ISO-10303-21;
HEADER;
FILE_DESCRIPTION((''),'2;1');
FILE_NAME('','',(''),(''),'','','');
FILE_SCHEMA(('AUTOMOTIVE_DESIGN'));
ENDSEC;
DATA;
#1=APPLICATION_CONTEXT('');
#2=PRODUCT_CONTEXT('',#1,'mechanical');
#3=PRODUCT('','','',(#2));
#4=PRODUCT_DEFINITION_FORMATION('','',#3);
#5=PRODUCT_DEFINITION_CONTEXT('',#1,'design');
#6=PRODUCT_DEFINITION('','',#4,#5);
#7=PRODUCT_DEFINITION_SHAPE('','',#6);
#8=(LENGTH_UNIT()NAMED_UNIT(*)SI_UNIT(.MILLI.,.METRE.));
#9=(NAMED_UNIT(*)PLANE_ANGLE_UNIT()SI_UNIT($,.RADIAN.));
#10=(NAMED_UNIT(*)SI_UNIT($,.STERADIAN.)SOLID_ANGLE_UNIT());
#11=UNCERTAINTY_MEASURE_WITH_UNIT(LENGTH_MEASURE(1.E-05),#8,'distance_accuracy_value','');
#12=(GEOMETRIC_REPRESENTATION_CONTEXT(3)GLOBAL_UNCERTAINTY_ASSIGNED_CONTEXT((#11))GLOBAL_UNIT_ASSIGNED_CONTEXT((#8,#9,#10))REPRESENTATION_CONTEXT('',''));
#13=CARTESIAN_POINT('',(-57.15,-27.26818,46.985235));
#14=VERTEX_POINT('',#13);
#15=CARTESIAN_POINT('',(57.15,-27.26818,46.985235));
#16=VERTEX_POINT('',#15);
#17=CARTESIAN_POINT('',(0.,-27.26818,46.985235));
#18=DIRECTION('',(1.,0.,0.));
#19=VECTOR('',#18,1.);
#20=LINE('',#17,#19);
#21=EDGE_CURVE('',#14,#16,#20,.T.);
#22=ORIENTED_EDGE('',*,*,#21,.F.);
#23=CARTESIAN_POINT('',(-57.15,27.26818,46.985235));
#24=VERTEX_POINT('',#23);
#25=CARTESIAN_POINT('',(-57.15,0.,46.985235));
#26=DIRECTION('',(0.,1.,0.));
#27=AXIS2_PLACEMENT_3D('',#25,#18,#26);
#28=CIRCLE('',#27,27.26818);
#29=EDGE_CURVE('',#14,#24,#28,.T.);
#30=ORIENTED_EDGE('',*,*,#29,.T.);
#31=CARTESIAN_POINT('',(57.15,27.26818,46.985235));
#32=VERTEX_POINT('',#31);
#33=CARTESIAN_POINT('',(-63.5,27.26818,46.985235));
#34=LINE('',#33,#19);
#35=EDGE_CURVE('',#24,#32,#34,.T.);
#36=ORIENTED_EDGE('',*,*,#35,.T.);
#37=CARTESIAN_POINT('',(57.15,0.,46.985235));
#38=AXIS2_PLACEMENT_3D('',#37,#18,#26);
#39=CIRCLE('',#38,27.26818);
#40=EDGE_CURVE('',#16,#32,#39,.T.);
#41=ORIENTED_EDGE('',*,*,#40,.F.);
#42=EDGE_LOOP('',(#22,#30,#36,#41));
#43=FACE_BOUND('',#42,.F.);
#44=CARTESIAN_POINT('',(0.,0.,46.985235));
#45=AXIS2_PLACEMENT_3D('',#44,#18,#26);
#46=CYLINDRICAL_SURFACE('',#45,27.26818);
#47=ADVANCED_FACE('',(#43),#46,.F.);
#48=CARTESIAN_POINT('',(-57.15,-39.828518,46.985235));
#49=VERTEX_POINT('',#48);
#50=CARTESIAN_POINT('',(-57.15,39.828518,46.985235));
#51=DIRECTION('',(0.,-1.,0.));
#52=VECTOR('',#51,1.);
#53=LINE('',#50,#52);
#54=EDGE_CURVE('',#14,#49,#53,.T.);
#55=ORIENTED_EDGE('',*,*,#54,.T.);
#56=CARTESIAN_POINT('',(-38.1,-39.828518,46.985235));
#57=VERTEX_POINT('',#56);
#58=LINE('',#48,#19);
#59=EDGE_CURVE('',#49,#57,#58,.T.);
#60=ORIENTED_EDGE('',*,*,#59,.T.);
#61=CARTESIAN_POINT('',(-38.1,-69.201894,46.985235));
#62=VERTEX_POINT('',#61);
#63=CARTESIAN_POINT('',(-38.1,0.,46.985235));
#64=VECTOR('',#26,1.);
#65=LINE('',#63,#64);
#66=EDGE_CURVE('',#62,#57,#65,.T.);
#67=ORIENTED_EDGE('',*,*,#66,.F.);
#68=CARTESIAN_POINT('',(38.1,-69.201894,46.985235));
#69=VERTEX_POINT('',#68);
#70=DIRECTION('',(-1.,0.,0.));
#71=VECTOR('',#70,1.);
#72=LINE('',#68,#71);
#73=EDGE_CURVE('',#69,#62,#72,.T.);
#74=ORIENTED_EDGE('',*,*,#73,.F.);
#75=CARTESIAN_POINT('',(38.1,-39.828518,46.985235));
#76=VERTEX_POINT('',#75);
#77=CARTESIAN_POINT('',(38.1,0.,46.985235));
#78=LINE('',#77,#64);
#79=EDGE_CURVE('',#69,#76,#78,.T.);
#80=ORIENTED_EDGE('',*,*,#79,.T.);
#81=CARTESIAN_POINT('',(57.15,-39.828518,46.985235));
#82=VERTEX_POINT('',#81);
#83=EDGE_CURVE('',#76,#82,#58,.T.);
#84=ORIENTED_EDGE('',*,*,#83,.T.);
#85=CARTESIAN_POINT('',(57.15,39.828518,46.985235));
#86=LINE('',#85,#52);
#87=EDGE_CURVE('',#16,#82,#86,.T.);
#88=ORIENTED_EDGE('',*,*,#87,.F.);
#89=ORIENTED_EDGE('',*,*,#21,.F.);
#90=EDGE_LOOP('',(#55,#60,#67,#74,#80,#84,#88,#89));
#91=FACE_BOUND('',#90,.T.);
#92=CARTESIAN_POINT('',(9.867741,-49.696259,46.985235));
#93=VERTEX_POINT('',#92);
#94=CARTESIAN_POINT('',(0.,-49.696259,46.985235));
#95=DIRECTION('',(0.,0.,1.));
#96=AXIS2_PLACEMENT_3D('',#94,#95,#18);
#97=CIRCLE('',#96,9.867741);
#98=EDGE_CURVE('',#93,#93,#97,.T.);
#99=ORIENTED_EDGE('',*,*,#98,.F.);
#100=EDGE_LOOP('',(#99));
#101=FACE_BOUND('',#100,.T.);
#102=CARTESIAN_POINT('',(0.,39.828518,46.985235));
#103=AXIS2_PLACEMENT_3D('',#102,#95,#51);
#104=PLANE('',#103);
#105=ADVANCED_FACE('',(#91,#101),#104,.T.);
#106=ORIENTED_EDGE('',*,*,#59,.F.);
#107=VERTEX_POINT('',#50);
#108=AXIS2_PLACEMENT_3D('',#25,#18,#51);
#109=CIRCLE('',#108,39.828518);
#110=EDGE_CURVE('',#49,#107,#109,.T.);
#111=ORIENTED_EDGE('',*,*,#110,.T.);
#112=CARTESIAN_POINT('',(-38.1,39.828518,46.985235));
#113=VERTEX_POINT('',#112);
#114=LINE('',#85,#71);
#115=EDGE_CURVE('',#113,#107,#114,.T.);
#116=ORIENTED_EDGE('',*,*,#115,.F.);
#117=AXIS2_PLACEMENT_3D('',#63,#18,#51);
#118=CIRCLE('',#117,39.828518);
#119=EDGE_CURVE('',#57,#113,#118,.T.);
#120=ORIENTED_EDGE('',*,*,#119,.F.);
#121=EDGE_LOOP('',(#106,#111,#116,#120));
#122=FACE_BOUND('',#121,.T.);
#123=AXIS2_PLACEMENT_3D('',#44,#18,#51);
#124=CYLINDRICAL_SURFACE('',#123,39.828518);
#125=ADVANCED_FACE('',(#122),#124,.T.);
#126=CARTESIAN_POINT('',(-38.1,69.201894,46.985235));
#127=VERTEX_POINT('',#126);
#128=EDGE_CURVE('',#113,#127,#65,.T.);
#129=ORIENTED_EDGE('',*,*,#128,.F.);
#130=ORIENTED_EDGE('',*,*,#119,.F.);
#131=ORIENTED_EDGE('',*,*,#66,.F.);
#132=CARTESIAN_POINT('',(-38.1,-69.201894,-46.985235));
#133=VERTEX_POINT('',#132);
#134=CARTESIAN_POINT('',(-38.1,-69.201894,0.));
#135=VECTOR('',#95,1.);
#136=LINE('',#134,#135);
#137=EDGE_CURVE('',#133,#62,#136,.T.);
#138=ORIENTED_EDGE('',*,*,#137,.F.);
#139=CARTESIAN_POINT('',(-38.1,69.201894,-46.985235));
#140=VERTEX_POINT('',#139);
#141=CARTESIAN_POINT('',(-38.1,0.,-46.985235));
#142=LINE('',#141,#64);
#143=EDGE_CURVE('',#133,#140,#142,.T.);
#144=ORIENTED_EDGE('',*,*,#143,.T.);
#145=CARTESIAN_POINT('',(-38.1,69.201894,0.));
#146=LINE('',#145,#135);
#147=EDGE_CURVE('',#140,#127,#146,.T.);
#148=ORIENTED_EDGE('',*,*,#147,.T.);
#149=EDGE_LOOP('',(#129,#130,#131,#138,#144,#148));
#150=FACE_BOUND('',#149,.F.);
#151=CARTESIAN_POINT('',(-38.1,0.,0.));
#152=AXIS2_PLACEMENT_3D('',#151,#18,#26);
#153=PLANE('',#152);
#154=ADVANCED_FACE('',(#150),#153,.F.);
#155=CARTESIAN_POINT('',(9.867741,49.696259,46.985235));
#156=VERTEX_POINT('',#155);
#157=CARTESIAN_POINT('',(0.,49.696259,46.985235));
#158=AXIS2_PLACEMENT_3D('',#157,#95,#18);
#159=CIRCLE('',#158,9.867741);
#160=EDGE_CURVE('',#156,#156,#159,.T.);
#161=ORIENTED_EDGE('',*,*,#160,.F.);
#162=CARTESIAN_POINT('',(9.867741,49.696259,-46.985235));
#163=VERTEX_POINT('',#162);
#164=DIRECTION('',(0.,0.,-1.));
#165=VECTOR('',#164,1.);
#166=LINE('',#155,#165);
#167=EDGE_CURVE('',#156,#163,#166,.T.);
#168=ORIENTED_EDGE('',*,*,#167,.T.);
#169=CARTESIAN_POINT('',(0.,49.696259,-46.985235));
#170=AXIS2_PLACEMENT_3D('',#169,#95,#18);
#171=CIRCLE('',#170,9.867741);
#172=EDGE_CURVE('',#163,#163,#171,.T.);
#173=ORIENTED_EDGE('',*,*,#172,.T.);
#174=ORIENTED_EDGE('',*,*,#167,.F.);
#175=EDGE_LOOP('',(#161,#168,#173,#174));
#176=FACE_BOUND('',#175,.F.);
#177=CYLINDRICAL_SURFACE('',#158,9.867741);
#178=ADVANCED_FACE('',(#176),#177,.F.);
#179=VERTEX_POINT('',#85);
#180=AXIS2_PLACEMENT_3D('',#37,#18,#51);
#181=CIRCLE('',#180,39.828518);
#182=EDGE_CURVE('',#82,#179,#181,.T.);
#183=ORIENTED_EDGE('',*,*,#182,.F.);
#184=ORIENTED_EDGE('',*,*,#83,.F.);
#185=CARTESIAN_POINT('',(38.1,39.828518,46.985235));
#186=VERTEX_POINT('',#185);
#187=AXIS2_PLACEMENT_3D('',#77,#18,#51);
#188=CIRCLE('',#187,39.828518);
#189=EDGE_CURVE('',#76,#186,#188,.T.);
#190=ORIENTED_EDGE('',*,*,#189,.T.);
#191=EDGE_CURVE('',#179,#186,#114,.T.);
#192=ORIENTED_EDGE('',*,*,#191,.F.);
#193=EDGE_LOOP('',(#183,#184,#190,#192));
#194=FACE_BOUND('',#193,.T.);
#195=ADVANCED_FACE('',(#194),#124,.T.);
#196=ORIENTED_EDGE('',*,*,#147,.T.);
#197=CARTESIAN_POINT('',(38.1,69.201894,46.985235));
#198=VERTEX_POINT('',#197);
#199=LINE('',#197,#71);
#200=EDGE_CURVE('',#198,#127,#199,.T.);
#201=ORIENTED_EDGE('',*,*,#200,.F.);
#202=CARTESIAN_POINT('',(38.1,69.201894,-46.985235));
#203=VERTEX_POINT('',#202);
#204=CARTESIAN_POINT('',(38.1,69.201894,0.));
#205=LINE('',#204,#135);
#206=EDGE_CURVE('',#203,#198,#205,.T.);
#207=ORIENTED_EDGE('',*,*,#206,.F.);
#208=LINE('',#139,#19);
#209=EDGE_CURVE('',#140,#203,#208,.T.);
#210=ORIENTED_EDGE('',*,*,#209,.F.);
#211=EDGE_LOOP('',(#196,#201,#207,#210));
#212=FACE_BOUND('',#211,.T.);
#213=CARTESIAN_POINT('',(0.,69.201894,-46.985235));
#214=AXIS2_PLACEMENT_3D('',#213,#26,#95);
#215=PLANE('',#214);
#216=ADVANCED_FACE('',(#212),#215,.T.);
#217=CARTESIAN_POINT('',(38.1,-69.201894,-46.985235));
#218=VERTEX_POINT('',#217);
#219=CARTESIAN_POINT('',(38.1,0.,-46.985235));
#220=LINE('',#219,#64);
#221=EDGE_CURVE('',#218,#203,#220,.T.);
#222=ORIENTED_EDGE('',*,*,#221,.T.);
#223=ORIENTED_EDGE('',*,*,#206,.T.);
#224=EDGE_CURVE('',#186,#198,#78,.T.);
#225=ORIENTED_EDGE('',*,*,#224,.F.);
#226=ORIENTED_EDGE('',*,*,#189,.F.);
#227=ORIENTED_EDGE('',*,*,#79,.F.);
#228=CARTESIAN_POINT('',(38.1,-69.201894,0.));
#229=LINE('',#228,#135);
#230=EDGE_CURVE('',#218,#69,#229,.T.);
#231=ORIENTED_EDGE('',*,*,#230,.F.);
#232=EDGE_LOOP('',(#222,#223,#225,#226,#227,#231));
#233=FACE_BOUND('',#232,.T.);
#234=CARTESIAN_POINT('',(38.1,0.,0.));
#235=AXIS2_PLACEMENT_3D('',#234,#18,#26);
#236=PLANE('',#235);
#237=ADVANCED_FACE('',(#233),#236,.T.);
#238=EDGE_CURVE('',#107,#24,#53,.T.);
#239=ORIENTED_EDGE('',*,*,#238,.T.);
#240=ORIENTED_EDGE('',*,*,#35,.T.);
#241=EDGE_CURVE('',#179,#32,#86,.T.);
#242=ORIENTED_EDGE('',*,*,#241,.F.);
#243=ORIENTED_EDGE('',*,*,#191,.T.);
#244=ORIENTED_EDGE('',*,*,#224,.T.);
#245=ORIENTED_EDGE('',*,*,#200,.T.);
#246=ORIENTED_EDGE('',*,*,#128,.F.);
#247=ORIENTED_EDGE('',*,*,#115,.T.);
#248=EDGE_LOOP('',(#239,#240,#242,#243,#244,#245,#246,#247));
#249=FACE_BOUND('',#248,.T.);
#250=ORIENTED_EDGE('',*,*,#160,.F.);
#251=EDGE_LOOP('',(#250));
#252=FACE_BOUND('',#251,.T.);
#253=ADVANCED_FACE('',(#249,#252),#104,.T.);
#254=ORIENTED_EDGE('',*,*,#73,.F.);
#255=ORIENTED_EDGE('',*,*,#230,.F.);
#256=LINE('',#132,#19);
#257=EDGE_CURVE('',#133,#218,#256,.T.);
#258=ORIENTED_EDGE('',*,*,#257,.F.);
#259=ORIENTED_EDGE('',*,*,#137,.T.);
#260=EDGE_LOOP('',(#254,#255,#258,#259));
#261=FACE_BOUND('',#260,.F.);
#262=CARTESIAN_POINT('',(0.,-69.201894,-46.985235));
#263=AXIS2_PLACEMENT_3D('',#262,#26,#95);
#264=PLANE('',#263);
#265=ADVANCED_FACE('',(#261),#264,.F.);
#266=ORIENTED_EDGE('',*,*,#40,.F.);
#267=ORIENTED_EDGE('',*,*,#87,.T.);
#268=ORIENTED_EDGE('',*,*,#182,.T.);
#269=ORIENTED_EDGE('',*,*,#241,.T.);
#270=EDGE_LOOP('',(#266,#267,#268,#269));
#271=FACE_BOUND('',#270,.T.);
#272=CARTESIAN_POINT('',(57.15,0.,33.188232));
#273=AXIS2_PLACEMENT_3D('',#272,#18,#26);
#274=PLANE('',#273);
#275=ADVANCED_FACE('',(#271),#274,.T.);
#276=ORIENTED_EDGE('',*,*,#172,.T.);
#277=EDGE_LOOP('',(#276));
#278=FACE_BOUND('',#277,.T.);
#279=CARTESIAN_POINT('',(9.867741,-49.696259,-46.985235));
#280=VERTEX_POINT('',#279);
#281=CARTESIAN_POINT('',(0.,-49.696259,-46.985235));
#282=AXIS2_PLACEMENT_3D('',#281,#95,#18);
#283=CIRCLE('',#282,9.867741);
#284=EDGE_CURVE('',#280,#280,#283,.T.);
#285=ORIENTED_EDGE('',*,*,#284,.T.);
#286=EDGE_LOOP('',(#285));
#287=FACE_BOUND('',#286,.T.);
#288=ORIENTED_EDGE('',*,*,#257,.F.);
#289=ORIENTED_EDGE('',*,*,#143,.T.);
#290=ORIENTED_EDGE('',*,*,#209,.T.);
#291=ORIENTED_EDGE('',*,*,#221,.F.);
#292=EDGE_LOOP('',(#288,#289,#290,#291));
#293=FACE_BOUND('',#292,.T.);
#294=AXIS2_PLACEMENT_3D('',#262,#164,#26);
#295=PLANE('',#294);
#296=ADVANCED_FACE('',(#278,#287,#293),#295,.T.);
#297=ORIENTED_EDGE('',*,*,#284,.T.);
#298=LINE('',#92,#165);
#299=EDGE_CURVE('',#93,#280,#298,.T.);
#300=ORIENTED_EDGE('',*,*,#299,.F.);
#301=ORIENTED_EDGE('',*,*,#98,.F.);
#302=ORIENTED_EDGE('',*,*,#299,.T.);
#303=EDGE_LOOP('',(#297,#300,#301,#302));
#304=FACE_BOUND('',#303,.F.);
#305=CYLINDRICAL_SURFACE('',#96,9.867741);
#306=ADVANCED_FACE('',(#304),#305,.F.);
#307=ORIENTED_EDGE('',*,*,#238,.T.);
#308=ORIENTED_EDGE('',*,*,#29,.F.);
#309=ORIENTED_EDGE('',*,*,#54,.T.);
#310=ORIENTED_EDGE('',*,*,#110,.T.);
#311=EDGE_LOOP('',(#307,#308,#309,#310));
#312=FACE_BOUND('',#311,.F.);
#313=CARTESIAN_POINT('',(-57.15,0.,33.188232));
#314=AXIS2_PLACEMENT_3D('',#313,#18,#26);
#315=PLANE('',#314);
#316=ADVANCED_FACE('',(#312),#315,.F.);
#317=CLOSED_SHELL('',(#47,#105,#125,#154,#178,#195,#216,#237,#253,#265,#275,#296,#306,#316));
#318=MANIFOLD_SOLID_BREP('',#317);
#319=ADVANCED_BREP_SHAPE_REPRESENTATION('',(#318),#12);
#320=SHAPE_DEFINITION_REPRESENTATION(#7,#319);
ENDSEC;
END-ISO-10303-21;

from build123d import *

# Parameters (mm, degrees)
F0_W     = 138.403788
F0_H     = 93.97047
F1_DEPTH = 38.1
F3_DEPTH = 57.15
F4_R     = 27.26818
F5_DEPTH = 63.5
F6_R     = 9.867741
F7_DEPTH = 203.2


with BuildPart() as f1:
    # F0 (on Right) → F1 (new body, symmetric)
    with BuildSketch(Plane.YZ):
        Rectangle(F0_W, F0_H)
    extrude(amount=F1_DEPTH, both=True)

    # F2 (on Right) → F3 (join, symmetric)
    with BuildSketch(Plane.YZ):
        with BuildLine():
            Line((39.828518, 46.985235), (-39.828518, 46.985235))
            ThreePointArc((-39.828518, 46.985235), (0, 7.156717), (39.828518, 46.985235))
        make_face()
    extrude(amount=F3_DEPTH, both=True)

    # F4 (on Right) → F5 (cut, symmetric)
    with BuildSketch(Plane.YZ):
        with Locations((0, 46.985235)):
            Circle(F4_R)
    extrude(amount=F5_DEPTH, both=True, mode=Mode.SUBTRACT)

    # F6 (on face) → F7 (cut)
    with BuildSketch(Plane.XY.offset(46.985235)):
        with Locations((0, 49.696259)):
            Circle(F6_R)
        with Locations((0, -49.696259)):
            Circle(F6_R)
    extrude(amount=-F7_DEPTH, mode=Mode.SUBTRACT)


solid = f1.part
